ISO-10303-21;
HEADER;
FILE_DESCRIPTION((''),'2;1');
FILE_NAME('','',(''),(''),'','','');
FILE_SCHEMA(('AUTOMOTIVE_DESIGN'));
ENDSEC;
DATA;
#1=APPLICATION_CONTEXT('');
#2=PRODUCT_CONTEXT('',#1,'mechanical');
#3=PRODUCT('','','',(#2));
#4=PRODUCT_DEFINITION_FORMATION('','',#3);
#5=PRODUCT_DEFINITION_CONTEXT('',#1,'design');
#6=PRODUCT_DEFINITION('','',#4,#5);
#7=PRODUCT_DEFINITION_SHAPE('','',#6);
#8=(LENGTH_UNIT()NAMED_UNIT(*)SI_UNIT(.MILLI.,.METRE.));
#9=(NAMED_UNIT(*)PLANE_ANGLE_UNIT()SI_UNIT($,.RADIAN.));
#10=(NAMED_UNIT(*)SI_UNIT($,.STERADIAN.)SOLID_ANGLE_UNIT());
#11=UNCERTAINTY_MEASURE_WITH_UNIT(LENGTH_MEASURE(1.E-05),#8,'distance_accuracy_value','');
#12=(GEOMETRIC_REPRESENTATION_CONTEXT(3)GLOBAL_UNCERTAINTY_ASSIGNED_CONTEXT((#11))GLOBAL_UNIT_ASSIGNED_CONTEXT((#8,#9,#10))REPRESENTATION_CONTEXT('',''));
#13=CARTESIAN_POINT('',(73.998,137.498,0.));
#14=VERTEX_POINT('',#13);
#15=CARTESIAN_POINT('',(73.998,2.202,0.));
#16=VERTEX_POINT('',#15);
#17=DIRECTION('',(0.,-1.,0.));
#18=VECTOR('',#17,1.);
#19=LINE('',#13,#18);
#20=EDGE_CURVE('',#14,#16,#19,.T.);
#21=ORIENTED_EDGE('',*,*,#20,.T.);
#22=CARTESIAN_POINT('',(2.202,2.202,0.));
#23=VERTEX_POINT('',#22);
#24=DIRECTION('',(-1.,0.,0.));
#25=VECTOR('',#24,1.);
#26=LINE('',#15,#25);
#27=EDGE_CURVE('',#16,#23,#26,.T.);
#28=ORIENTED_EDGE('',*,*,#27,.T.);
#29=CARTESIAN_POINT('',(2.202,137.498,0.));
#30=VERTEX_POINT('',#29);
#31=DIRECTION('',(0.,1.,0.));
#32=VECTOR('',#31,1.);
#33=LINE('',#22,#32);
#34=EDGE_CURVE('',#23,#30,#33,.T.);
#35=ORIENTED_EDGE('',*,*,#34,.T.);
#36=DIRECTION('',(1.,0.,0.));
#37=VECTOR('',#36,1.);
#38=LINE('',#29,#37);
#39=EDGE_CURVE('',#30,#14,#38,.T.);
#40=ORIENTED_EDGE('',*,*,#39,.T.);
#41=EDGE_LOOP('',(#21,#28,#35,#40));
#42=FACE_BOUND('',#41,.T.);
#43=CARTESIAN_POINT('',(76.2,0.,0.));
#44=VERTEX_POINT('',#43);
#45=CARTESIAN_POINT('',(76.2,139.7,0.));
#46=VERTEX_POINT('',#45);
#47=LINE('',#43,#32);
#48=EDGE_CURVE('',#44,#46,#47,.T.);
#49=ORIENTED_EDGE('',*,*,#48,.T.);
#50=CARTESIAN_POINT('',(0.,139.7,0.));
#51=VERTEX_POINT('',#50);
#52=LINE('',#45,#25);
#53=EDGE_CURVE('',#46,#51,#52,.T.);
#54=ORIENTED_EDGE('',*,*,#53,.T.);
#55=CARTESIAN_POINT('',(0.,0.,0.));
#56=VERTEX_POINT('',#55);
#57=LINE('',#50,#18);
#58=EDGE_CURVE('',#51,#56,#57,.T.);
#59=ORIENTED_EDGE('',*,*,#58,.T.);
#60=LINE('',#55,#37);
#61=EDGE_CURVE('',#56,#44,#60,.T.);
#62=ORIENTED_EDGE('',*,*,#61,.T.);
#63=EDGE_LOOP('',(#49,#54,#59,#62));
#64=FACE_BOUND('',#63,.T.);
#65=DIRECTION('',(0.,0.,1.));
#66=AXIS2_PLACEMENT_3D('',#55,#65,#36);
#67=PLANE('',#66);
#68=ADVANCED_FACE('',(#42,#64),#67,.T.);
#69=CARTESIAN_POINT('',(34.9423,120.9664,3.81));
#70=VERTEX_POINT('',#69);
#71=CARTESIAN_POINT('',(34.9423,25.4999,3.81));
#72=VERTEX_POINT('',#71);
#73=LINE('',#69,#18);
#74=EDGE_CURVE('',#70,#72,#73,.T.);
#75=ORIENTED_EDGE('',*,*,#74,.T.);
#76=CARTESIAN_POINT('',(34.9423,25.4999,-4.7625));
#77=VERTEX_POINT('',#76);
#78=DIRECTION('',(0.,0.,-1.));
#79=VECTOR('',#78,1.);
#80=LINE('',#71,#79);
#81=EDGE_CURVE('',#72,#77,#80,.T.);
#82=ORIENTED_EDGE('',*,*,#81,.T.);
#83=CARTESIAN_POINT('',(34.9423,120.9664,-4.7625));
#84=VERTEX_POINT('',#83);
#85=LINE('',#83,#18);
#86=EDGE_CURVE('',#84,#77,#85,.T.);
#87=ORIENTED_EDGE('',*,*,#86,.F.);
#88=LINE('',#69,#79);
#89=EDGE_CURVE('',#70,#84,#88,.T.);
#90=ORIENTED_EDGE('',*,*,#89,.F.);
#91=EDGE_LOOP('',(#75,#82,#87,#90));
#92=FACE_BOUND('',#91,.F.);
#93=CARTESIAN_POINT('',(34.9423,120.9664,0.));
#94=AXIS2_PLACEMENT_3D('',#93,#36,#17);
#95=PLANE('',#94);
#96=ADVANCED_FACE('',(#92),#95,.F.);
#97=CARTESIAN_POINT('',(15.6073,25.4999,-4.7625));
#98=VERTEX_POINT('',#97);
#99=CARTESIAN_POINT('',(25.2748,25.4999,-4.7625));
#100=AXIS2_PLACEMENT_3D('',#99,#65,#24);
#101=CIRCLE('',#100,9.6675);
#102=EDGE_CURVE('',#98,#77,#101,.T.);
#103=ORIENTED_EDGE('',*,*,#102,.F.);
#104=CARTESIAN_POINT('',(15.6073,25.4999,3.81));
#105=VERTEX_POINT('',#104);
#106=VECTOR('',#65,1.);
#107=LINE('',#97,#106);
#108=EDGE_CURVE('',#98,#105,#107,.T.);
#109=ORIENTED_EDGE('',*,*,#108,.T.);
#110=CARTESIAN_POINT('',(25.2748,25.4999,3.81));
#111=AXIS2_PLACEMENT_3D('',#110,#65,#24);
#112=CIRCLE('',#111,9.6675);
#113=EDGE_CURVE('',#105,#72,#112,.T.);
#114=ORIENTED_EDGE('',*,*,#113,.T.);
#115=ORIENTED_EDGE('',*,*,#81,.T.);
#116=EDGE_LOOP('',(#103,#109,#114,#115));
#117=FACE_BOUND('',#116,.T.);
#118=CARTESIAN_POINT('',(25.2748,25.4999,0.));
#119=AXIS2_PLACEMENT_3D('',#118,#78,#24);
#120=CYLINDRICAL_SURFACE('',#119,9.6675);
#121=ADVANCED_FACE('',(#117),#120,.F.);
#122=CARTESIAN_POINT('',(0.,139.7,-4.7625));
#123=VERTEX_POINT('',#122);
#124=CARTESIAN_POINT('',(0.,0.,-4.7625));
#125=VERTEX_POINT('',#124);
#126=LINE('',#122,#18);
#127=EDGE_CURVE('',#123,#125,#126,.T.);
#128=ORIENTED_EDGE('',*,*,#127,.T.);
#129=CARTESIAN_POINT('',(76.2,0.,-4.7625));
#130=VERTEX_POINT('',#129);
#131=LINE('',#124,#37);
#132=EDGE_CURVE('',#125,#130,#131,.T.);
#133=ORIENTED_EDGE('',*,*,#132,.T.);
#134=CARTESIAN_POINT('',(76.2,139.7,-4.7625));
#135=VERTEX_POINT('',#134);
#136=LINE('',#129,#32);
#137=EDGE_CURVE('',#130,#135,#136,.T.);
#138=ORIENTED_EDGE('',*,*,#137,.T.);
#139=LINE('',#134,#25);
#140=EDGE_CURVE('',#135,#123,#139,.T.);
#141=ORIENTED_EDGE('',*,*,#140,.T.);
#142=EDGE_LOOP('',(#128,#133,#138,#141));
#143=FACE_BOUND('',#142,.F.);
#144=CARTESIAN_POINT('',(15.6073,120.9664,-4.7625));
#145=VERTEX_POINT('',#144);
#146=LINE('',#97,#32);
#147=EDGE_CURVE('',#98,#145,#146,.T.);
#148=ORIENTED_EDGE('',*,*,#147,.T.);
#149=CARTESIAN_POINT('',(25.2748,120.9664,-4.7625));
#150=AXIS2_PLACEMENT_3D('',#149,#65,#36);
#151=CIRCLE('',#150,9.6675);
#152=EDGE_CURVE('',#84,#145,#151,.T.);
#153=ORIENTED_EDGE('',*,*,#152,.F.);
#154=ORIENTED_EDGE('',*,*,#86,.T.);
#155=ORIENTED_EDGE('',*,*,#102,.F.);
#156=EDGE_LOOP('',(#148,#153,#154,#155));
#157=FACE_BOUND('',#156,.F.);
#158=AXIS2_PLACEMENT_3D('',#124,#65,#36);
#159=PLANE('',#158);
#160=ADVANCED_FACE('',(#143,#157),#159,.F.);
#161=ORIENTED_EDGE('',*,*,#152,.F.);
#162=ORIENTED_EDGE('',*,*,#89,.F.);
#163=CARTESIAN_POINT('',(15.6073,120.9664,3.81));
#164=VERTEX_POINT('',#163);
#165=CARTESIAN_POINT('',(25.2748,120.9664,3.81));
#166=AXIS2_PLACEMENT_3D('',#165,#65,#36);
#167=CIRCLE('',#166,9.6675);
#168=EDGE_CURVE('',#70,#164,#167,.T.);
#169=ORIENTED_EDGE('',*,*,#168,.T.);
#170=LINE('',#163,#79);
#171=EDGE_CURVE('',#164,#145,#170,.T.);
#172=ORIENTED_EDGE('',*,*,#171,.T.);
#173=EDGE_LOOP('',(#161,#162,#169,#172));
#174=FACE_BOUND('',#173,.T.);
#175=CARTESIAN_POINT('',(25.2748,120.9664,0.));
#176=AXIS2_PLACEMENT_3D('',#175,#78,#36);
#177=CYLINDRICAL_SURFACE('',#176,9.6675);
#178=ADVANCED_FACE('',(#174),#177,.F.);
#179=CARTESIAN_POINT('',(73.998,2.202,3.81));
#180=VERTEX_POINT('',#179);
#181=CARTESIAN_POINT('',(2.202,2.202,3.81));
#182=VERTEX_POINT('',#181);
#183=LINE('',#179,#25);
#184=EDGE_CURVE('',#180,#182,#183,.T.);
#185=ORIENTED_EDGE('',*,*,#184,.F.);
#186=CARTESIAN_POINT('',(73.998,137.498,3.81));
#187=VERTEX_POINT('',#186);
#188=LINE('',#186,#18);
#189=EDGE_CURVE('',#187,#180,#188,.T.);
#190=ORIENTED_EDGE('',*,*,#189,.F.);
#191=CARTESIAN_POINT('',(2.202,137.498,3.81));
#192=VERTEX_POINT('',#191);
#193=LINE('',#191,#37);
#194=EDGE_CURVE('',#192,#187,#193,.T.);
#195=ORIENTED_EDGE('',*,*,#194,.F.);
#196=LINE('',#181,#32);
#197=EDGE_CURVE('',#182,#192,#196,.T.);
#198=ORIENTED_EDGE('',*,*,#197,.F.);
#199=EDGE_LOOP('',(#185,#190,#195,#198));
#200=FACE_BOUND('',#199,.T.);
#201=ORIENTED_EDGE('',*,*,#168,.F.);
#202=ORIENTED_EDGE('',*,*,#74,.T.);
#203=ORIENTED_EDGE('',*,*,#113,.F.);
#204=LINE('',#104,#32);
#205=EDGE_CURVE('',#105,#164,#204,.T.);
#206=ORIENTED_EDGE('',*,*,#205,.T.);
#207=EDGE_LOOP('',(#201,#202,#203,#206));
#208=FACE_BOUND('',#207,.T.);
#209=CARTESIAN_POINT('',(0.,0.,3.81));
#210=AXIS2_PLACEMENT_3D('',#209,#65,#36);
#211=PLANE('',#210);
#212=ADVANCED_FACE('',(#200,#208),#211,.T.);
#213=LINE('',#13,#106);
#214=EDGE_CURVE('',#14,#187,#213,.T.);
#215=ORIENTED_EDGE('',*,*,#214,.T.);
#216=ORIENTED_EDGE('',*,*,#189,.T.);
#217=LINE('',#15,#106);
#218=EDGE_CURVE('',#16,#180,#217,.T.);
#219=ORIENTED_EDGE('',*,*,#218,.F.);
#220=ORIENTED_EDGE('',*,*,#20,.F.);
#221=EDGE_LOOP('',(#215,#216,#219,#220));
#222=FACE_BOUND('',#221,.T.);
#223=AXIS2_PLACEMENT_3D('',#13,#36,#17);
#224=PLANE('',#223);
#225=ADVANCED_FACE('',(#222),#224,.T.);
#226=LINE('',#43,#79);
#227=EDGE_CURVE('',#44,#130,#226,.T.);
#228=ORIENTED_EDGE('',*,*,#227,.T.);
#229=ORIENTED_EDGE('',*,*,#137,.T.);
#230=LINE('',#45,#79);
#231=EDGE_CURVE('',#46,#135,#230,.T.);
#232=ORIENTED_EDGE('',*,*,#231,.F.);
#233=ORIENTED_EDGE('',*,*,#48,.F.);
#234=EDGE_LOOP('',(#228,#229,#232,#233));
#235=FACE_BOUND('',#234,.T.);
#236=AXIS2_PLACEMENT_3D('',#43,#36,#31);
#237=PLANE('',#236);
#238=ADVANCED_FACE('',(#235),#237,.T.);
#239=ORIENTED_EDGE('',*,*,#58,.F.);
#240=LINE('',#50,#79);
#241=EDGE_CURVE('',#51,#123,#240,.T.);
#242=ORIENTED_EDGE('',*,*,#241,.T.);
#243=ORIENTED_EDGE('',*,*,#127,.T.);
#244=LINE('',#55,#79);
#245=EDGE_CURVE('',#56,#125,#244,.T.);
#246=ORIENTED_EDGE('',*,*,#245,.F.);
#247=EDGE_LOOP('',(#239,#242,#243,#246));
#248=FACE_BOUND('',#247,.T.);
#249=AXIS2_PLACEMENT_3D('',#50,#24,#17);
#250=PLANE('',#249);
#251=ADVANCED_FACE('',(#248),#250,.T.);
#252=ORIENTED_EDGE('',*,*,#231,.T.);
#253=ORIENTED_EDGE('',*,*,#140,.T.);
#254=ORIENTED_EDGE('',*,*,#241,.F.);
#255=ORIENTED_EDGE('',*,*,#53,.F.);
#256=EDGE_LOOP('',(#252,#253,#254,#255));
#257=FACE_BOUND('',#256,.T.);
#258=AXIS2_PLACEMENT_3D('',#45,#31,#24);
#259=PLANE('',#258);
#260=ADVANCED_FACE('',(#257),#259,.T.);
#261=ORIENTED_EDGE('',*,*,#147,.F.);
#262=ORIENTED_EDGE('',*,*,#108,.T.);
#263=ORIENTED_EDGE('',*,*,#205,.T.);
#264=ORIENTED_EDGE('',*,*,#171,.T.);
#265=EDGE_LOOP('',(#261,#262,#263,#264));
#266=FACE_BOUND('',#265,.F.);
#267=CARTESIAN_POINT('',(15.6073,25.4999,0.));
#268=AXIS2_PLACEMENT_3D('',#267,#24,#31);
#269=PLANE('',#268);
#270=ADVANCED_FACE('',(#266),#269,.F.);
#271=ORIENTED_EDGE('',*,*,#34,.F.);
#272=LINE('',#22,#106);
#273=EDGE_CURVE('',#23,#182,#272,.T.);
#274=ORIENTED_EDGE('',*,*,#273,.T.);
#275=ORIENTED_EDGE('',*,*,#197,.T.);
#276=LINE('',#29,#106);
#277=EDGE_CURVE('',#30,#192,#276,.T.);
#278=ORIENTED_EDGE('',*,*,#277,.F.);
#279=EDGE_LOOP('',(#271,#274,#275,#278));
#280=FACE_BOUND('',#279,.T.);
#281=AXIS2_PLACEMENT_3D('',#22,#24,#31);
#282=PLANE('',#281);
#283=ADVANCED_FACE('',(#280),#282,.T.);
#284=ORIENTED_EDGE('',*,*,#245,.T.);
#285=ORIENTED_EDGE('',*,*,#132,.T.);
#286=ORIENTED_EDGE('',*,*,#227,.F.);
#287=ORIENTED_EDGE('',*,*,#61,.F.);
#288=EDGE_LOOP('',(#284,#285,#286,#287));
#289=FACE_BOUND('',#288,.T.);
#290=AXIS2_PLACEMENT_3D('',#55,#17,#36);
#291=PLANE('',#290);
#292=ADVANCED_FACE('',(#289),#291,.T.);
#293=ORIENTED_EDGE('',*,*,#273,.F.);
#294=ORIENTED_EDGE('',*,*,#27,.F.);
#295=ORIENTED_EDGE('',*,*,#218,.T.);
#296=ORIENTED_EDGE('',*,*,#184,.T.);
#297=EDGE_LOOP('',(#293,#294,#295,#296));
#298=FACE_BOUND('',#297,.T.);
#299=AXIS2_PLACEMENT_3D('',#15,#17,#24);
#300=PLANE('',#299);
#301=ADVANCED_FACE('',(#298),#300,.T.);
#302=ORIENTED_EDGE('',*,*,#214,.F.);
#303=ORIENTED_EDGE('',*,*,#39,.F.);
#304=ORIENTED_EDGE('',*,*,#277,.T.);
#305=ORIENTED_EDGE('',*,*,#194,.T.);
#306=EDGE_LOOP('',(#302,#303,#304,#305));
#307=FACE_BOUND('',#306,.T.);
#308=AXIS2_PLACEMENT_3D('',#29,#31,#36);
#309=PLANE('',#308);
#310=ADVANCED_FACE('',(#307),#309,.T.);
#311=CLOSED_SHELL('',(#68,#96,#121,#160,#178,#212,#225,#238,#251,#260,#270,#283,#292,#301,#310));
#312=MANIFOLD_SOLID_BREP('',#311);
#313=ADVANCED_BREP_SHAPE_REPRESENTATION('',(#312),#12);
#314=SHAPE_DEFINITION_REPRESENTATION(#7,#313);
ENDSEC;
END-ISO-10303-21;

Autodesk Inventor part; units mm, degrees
ref_plane "YZ Plane" through (0, 0, 0) normal (1, 0, 0) x (0, 1, 0)
ref_plane "XZ Plane" through (0, 0, 0) normal (0, 1, 0) x (-1, 0, 0)
ref_plane "XY Plane" through (0, 0, 0) normal (0, 0, 1) x (1, 0, 0)
sketch "Sketch1" plane through (0, 0, 0) normal (0, 0, 1) x (1, 0, 0)
  line L0 (0, 0) -> (76.2, 0)
  line L1 (76.2, 0) -> (76.2, 139.7)
  line L2 (76.2, 139.7) -> (0, 139.7)
  line L3 (0, 139.7) -> (0, 0)
  line L4 (15.6073, 25.4999) -> (15.6073, 120.9664)
  arc A0 (34.9423, 120.9664) -> (15.6073, 120.9664) centre (25.2748, 120.9664) ccw
  line L5 (34.9423, 120.9664) -> (34.9423, 25.4999)
  arc A1 (15.6073, 25.4999) -> (34.9423, 25.4999) centre (25.2748, 25.4999) ccw
  line L6 (2.202, 137.498) -> (73.998, 137.498)
  line L7 (73.998, 137.498) -> (73.998, 2.202)
  line L8 (73.998, 2.202) -> (2.202, 2.202)
  line L9 (2.202, 2.202) -> (2.202, 137.498)
  dimension "d0" = 76.2
  dimension "d1" = 139.7
extrude "Extrusion1" add sketch "Sketch1" against normal blind 4.7625 contours L3 L2 L1 L0 | L6 L7 L8 L9
extrude "Extrusion2" add sketch "Sketch1" along normal blind 3.81 contours L6 L7 L8 L9
properties part number "Shifter surround"
